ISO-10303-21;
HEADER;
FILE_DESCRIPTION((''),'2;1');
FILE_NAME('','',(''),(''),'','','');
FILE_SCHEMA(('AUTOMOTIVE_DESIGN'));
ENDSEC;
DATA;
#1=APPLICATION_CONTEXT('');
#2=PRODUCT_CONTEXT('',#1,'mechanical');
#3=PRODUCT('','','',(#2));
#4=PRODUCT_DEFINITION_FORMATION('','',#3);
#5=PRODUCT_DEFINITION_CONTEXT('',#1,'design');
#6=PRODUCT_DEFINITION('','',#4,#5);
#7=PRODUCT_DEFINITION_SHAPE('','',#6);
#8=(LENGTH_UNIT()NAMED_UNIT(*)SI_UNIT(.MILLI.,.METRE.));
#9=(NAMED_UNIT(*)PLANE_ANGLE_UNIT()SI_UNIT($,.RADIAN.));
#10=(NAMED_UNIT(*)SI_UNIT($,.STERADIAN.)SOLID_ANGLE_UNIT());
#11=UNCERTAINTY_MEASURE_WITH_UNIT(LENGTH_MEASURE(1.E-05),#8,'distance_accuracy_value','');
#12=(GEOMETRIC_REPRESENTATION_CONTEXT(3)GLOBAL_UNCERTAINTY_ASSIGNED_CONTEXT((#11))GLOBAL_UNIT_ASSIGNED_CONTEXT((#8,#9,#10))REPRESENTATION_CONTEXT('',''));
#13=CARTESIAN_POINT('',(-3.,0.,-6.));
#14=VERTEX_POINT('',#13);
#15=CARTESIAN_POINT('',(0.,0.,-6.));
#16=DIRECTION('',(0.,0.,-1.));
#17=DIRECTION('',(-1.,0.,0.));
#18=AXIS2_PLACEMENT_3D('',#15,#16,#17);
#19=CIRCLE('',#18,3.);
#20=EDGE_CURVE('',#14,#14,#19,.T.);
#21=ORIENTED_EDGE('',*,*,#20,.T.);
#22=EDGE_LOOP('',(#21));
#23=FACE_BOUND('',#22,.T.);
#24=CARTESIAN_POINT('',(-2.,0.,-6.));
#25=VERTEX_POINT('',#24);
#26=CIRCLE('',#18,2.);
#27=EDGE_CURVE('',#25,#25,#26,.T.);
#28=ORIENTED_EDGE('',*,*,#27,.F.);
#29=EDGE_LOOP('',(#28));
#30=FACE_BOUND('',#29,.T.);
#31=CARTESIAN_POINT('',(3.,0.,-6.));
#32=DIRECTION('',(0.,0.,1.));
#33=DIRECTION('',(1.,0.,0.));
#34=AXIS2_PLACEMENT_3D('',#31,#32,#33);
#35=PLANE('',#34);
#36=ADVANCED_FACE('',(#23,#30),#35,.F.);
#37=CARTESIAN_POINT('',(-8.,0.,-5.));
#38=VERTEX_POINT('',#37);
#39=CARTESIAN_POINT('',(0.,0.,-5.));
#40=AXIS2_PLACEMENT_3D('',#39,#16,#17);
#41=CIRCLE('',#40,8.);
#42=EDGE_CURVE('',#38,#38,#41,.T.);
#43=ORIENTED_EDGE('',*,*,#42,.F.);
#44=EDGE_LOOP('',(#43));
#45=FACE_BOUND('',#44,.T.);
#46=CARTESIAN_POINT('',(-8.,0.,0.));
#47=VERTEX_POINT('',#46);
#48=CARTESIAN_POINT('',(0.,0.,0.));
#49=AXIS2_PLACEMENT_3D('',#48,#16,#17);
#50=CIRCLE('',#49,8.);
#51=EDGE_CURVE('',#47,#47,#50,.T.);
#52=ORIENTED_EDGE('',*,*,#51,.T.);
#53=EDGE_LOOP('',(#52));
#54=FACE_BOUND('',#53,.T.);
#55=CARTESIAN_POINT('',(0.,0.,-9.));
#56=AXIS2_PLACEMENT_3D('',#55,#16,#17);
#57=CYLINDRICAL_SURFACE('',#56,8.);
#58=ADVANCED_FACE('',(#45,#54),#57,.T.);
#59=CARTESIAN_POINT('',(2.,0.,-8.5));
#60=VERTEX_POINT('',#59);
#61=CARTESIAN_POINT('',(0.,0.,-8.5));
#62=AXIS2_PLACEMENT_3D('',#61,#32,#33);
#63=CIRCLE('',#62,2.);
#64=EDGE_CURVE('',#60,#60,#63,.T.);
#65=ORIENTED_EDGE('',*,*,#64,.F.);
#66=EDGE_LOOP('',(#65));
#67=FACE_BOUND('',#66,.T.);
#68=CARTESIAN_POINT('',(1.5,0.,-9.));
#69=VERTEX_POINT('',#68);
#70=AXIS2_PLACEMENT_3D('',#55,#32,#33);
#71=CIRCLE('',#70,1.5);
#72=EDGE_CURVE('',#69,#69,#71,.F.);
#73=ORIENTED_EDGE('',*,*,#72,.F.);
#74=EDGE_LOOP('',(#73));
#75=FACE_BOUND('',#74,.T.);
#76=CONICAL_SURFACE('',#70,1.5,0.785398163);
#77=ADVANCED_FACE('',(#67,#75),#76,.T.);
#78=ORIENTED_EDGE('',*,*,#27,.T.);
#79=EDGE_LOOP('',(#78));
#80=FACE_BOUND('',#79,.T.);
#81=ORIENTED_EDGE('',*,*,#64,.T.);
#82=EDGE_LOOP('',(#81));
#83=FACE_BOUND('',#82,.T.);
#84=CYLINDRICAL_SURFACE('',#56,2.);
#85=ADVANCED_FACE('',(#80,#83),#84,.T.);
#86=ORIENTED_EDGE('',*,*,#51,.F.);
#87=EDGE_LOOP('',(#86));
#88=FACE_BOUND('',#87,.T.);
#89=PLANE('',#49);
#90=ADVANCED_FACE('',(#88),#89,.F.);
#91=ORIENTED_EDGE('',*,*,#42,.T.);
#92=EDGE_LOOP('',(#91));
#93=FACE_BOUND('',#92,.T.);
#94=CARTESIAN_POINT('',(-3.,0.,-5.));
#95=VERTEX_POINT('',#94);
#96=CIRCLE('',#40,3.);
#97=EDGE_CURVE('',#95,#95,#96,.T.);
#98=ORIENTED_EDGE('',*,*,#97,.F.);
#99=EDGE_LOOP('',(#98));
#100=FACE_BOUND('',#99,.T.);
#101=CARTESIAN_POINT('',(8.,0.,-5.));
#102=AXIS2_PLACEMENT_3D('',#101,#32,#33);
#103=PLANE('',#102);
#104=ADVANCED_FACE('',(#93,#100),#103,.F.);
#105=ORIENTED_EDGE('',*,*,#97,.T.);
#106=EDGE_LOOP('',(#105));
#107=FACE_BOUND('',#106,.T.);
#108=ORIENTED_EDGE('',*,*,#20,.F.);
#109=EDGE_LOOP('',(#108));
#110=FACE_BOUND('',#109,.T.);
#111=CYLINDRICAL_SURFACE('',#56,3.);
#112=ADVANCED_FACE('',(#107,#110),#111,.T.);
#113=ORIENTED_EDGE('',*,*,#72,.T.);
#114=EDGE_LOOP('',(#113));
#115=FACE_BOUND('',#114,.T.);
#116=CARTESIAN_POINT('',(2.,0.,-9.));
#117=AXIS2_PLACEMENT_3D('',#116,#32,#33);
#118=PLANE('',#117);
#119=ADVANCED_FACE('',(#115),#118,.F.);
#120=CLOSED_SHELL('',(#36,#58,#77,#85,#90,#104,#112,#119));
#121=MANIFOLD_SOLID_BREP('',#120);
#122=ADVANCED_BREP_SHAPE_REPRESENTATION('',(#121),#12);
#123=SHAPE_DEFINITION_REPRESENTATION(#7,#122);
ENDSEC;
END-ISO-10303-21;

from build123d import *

# Parameters (mm, degrees)
CHAMFER_1_SIZE = 0.5


with BuildPart() as part:
    # Эскиз1 → Revolve 325 (revolve)
    with BuildSketch(Plane(origin=(0, 0, 0), x_dir=(1, 0, 0), z_dir=(0, 1, 0)), mode=Mode.PRIVATE) as revolve_325_sk:
        Polygon((0, 0), (8, 0), (8, 5), (3, 5), (3, 6), (2, 6), (2, 9), (0, 9), align=None)
    revolve(revolve_325_sk.sketch.rotate(Axis((0, 0, -9), (0, 0, 1)), 180), axis=Axis((0, 0, -9), (0, 0, 1)))

    # Фаска1
    chamfer_1_edges = [part.edges().sort_by_distance(p)[0] for p in [
        (2, 0, -9),
    ]]
    chamfer(chamfer_1_edges, length=CHAMFER_1_SIZE)


solid = part.part
